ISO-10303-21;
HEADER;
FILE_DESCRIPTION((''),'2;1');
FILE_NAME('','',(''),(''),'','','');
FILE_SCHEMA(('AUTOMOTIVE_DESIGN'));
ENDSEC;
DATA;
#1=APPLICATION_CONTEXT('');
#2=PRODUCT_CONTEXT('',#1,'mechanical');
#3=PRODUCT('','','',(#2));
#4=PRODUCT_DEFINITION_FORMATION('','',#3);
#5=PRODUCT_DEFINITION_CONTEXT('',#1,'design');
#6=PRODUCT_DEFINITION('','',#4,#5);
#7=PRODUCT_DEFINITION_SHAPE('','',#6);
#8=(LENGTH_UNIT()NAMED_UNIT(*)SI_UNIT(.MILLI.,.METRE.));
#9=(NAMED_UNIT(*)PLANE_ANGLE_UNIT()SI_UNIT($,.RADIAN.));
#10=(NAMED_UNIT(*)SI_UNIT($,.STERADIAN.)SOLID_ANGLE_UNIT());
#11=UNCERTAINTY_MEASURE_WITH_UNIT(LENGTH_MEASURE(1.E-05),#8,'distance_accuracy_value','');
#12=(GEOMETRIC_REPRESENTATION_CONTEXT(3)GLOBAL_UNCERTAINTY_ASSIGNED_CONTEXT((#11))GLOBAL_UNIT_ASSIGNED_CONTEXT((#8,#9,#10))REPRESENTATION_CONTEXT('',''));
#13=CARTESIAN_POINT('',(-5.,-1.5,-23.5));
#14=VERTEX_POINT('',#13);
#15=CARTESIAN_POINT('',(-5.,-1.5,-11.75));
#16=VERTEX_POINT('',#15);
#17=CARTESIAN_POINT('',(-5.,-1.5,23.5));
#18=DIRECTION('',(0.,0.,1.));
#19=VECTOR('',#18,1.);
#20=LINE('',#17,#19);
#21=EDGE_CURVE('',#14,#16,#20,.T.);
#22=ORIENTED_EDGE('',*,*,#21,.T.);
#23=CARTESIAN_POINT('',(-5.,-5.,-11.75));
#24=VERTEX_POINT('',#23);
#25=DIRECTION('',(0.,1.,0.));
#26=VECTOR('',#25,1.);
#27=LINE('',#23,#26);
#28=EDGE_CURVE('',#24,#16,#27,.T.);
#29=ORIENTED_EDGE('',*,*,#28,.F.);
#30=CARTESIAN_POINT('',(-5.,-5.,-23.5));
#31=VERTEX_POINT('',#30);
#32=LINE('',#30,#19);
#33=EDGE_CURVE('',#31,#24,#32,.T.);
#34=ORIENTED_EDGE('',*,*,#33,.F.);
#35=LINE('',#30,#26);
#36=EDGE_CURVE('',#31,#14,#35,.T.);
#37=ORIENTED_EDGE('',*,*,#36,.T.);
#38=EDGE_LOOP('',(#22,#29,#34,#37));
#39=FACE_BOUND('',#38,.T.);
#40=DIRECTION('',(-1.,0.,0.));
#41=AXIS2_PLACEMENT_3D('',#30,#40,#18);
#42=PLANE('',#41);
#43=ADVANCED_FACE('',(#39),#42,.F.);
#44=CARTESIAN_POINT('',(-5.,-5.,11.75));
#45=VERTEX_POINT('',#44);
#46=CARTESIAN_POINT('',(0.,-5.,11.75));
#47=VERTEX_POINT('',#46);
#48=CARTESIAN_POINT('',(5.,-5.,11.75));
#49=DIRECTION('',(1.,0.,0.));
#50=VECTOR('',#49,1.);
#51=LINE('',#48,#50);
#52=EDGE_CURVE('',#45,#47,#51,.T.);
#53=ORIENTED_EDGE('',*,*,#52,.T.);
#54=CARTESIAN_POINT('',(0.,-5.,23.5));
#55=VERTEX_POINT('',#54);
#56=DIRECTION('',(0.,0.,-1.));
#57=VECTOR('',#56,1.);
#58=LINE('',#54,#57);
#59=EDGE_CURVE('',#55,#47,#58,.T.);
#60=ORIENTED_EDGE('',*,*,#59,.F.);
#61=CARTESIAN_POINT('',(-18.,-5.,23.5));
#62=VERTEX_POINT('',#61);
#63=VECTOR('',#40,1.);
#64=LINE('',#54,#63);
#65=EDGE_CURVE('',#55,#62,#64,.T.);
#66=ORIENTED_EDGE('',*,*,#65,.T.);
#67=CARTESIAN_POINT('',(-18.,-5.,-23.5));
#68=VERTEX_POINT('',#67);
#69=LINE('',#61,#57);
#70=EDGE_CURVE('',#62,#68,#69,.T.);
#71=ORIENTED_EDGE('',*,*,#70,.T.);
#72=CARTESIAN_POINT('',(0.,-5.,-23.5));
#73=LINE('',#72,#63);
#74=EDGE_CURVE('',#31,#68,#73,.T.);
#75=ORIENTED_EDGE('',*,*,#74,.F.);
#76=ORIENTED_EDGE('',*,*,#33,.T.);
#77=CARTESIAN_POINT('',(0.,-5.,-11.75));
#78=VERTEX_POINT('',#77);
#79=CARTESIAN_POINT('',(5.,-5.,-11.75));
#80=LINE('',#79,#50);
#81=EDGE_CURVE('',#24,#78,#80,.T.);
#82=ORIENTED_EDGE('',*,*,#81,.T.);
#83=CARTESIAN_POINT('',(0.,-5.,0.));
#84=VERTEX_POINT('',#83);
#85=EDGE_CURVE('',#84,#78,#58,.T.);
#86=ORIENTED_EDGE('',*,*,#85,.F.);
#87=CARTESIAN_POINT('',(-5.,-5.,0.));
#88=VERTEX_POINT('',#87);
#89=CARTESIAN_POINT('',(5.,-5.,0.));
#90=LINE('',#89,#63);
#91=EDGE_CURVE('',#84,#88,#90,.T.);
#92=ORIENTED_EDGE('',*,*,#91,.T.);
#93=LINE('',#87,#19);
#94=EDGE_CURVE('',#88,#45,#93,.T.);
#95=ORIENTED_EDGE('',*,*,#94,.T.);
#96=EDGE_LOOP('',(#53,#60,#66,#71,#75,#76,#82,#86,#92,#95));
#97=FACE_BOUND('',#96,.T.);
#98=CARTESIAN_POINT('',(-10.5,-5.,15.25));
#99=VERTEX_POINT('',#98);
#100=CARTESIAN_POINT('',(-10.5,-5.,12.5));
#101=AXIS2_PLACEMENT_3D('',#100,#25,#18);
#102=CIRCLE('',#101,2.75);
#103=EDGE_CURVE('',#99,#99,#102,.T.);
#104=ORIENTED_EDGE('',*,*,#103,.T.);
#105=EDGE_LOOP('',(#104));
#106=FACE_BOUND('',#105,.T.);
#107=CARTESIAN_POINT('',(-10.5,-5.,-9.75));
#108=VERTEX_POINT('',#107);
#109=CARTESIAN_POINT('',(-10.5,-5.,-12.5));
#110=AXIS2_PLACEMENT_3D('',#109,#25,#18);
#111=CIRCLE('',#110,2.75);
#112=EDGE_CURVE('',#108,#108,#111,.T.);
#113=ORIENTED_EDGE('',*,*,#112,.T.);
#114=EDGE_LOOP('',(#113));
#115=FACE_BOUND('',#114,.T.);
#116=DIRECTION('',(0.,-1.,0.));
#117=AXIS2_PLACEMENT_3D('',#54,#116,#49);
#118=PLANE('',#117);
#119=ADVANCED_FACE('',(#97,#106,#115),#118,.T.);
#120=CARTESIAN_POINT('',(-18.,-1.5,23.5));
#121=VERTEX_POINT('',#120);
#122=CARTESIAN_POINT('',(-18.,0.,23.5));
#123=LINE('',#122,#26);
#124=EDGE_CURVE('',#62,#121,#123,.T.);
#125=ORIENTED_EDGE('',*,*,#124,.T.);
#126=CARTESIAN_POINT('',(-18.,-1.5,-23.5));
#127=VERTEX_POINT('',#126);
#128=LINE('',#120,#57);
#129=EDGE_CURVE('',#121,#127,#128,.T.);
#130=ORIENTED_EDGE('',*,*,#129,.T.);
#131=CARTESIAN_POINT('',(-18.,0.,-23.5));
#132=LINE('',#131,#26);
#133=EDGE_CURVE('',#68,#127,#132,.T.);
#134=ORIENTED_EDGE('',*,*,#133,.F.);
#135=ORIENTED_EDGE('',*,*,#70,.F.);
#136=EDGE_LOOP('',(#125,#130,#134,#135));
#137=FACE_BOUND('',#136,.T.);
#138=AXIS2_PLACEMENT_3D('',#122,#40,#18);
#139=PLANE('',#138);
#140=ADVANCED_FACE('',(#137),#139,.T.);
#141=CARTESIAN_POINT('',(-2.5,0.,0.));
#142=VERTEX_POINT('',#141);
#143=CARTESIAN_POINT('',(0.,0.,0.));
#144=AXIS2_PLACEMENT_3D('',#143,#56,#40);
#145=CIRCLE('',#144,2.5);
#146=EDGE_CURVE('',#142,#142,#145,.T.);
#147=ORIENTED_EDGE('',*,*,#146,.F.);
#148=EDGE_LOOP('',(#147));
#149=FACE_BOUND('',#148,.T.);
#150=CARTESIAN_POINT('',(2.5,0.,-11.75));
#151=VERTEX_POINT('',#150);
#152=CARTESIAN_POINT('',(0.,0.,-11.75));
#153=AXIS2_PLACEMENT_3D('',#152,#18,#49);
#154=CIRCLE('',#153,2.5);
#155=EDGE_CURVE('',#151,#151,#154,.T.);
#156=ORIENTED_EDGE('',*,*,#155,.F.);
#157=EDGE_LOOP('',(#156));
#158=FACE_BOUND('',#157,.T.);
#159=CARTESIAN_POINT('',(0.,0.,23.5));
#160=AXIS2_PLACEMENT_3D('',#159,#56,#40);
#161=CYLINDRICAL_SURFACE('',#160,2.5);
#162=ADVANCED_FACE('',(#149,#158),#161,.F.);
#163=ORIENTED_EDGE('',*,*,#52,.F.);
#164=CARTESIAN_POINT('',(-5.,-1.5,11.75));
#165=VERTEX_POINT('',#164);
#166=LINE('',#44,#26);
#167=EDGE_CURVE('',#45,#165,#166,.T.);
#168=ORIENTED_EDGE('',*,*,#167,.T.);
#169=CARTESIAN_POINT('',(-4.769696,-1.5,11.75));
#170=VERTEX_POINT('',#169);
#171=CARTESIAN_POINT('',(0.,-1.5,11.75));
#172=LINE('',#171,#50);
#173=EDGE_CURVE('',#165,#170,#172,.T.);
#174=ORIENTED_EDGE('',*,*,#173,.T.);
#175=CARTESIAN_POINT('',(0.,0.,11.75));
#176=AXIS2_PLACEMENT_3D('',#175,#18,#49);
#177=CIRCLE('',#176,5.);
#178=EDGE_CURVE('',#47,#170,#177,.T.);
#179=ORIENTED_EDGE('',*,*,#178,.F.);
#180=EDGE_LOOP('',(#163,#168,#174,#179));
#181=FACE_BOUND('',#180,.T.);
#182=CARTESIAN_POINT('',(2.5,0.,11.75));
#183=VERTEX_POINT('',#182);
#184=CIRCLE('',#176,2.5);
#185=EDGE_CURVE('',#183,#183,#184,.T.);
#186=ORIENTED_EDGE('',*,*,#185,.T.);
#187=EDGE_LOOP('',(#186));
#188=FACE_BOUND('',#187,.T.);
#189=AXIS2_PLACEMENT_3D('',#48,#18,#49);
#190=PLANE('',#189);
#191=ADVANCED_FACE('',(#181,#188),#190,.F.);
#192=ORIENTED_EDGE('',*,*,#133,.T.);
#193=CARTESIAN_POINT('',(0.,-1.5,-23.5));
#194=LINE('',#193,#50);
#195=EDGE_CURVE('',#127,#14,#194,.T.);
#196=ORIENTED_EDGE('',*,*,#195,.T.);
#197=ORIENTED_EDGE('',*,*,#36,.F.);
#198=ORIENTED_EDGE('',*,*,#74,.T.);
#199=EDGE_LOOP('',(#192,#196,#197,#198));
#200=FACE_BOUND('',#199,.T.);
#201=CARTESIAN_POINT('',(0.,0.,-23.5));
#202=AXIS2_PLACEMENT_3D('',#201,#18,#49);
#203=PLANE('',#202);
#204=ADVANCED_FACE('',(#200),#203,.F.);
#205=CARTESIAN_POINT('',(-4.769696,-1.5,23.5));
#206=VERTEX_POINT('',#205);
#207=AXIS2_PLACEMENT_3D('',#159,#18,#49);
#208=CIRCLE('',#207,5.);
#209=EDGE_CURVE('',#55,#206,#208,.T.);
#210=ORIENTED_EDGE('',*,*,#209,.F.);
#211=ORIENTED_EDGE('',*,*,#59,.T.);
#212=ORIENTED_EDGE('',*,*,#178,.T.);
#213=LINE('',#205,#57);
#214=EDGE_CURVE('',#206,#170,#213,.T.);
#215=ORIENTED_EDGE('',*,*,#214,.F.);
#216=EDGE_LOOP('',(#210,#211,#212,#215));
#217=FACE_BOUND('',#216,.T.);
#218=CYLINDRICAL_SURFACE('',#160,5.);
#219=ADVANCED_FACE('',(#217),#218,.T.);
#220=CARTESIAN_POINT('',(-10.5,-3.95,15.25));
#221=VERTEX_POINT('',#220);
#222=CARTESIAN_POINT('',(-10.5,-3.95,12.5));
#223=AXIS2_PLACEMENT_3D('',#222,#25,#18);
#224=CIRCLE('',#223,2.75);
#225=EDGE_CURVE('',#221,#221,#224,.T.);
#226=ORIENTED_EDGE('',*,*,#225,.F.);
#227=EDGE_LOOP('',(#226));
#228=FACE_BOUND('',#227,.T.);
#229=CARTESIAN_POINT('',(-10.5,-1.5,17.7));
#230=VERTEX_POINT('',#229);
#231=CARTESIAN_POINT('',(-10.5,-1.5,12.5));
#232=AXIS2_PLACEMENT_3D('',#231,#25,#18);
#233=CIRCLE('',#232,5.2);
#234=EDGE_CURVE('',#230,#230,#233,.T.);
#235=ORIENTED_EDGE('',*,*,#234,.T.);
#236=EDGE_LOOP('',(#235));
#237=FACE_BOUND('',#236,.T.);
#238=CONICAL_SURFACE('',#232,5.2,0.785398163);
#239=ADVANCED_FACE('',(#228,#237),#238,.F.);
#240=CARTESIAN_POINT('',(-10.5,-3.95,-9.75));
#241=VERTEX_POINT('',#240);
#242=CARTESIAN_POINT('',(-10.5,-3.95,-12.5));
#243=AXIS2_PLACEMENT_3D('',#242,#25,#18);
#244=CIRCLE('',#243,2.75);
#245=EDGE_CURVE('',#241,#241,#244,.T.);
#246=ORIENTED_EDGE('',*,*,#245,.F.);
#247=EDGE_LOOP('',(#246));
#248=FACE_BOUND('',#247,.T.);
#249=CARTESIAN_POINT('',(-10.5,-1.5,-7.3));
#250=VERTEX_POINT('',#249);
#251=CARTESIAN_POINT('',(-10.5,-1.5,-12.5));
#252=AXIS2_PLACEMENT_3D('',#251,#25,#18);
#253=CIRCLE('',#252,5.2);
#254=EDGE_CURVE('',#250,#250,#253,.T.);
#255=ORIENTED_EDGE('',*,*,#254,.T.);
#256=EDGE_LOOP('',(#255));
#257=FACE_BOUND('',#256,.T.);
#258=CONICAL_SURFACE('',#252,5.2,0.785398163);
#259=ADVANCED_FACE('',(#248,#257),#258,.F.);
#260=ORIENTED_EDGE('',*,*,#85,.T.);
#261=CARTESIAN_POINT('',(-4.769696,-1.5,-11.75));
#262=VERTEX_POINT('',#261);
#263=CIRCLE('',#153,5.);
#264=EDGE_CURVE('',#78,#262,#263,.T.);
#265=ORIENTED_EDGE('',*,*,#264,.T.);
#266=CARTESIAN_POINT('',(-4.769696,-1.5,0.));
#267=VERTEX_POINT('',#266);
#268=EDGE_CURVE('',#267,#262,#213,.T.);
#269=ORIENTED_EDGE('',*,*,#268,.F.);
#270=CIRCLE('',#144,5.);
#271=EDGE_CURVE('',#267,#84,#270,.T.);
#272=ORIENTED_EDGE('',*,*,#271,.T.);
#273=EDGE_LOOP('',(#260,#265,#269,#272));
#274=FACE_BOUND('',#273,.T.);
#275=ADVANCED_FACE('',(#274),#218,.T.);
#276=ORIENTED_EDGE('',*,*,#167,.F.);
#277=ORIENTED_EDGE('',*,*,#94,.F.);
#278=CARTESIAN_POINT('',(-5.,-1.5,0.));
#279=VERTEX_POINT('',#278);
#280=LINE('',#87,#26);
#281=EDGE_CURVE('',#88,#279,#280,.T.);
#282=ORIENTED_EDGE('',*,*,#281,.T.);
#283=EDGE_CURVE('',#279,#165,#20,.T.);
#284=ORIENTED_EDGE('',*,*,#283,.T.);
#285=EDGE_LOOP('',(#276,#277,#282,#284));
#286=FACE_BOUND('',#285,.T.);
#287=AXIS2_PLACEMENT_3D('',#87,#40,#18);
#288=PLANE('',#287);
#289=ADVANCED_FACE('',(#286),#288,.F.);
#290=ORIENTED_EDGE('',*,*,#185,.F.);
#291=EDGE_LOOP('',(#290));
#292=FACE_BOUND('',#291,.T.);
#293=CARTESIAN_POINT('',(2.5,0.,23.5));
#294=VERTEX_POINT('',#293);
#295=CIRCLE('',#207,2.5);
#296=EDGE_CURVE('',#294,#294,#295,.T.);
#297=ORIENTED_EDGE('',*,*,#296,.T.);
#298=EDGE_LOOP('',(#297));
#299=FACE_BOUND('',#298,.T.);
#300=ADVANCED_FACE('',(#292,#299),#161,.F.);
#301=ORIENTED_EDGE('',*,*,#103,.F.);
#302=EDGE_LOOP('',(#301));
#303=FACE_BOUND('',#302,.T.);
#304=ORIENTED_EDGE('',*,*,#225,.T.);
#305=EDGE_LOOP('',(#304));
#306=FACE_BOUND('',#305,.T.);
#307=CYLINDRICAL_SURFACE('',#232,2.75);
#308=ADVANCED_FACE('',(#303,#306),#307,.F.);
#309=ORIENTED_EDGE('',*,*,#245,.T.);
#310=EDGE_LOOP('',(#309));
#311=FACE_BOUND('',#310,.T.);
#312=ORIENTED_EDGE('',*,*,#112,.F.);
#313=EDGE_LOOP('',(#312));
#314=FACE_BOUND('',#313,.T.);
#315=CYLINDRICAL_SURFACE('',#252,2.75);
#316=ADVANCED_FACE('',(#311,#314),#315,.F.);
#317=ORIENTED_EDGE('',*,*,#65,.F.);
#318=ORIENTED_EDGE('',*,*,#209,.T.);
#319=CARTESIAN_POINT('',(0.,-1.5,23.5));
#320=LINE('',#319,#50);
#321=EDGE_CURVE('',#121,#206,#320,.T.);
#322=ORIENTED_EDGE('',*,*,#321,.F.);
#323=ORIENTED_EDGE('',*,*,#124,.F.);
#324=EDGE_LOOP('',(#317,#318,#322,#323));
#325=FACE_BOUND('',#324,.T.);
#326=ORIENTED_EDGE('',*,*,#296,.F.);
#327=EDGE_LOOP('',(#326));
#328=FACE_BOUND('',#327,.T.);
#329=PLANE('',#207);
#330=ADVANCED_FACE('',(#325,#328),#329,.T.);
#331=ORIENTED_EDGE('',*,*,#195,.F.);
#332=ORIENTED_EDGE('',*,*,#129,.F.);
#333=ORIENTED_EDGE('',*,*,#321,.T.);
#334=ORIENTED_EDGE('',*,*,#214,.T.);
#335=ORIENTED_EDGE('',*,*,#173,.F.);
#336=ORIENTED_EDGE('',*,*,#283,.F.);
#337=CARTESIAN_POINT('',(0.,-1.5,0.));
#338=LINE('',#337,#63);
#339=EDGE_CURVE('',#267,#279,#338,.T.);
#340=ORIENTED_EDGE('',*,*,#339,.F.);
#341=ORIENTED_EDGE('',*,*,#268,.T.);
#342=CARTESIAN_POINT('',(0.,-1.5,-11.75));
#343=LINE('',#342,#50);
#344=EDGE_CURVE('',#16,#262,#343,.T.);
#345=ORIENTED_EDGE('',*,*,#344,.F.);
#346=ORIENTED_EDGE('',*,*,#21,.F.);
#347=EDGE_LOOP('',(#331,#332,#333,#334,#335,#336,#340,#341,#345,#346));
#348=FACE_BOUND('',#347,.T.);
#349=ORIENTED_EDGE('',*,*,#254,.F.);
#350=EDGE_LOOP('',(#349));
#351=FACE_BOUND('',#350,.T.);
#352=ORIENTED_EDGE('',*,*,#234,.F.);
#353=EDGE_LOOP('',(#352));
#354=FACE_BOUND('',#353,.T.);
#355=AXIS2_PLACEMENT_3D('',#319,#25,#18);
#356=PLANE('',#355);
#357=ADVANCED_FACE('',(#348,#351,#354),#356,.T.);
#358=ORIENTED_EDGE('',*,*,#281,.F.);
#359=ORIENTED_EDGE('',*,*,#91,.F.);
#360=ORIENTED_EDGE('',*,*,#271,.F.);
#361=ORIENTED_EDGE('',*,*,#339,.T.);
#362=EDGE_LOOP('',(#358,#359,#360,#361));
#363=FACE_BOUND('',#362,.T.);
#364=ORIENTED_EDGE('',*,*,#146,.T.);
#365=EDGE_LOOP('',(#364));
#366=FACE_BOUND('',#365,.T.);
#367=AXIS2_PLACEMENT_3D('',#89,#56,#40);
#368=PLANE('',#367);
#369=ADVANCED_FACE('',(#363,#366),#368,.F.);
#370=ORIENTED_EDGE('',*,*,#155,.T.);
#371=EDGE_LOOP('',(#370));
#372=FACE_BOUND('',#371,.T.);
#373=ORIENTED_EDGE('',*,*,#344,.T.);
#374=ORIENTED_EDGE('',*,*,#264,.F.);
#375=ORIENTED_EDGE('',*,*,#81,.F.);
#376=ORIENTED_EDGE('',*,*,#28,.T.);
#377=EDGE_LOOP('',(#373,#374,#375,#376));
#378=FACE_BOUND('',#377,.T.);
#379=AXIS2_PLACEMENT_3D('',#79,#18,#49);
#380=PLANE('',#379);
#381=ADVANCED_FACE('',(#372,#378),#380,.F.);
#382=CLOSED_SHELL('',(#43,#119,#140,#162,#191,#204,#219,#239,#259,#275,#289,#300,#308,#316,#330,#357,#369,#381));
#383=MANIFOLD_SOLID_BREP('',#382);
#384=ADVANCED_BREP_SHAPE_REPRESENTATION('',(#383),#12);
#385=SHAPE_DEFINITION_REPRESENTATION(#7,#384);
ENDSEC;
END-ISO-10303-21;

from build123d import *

# Parameters (mm, degrees)
SKETCH1_R                                    = 5
SKETCH1_R_2                                  = 2.5
BOSS_EXTRUDE1_DEPTH                          = 23.5
CSK_FOR_M5_COUNTERSUNK_FLAT_HEAD_SCR_2_COUNT = 2
CSK_FOR_M5_COUNTERSUNK_FLAT_HEAD_SCR_2_PITCH = 25
CUT_EXTRUDE1_DEPTH                           = 31.020826105
CUT_EXTRUDE1_DEPTH_BACK                      = 31.020826105
SKETCH4_W                                    = 10
SKETCH4_H                                    = 11.75


with BuildPart() as part:
    # Sketch1 → Boss-Extrude1 (new, symmetric)
    # profile 1 of 2: a face of its own
    with BuildSketch(Plane.XY):
        with BuildLine():
            Line((-18, -5), (0, -5))
            ThreePointArc((0, -5), (-2.958039892, -4.031128874), (-4.769696007, -1.5))
            Line((-4.769696007, -1.5), (-18, -1.5))
            Line((-18, -1.5), (-18, -5))
        make_face()
    # profile 2 of 2: a face of its own
    with BuildSketch(Plane.XY):
        Circle(SKETCH1_R)
        Circle(SKETCH1_R_2, mode=Mode.SUBTRACT)
    extrude(amount=BOSS_EXTRUDE1_DEPTH, both=True)

    # Sketch3 → CSK for M5 Countersunk Flat Head Screw1 (revolve, cut)
    with BuildSketch(Plane(origin=(-10.5, -1.5, -12.5), x_dir=(0, 0, 1), z_dir=(1, 0, 0))):
        Polygon((0, 0), (0, 3.5), (2.75, 3.5), (2.75, 2.45), (5.2, 0), align=None)
    csk_for_m5_countersunk_flat_head_screw1 = revolve(axis=Axis((-10.5, 4.85, -12.5), (0, -1, 0)), mode=Mode.SUBTRACT)

    # CSK for M5 Countersunk Flat Head Scr 2: CSK for M5 Countersunk Flat Head Screw1 ×2
    with Locations(*[(0, 0, i * CSK_FOR_M5_COUNTERSUNK_FLAT_HEAD_SCR_2_PITCH) for i in range(1, CSK_FOR_M5_COUNTERSUNK_FLAT_HEAD_SCR_2_COUNT)]):
        add(csk_for_m5_countersunk_flat_head_screw1, mode=Mode.SUBTRACT)

    # Sketch4 → Cut-Extrude1 (cut, two sides: drawn at the far end of the back side and taken through both)
    with BuildSketch(Plane(origin=(0, 0, 0), x_dir=(1, 0, 0), z_dir=(0, 1, 0)).offset(-CUT_EXTRUDE1_DEPTH_BACK)):
        with Locations((0, 17.625)):
            Rectangle(SKETCH4_W, SKETCH4_H)
        with Locations((0, -5.875)):
            Rectangle(SKETCH4_W, SKETCH4_H)
    extrude(amount=CUT_EXTRUDE1_DEPTH + CUT_EXTRUDE1_DEPTH_BACK, mode=Mode.SUBTRACT)


solid = part.part
